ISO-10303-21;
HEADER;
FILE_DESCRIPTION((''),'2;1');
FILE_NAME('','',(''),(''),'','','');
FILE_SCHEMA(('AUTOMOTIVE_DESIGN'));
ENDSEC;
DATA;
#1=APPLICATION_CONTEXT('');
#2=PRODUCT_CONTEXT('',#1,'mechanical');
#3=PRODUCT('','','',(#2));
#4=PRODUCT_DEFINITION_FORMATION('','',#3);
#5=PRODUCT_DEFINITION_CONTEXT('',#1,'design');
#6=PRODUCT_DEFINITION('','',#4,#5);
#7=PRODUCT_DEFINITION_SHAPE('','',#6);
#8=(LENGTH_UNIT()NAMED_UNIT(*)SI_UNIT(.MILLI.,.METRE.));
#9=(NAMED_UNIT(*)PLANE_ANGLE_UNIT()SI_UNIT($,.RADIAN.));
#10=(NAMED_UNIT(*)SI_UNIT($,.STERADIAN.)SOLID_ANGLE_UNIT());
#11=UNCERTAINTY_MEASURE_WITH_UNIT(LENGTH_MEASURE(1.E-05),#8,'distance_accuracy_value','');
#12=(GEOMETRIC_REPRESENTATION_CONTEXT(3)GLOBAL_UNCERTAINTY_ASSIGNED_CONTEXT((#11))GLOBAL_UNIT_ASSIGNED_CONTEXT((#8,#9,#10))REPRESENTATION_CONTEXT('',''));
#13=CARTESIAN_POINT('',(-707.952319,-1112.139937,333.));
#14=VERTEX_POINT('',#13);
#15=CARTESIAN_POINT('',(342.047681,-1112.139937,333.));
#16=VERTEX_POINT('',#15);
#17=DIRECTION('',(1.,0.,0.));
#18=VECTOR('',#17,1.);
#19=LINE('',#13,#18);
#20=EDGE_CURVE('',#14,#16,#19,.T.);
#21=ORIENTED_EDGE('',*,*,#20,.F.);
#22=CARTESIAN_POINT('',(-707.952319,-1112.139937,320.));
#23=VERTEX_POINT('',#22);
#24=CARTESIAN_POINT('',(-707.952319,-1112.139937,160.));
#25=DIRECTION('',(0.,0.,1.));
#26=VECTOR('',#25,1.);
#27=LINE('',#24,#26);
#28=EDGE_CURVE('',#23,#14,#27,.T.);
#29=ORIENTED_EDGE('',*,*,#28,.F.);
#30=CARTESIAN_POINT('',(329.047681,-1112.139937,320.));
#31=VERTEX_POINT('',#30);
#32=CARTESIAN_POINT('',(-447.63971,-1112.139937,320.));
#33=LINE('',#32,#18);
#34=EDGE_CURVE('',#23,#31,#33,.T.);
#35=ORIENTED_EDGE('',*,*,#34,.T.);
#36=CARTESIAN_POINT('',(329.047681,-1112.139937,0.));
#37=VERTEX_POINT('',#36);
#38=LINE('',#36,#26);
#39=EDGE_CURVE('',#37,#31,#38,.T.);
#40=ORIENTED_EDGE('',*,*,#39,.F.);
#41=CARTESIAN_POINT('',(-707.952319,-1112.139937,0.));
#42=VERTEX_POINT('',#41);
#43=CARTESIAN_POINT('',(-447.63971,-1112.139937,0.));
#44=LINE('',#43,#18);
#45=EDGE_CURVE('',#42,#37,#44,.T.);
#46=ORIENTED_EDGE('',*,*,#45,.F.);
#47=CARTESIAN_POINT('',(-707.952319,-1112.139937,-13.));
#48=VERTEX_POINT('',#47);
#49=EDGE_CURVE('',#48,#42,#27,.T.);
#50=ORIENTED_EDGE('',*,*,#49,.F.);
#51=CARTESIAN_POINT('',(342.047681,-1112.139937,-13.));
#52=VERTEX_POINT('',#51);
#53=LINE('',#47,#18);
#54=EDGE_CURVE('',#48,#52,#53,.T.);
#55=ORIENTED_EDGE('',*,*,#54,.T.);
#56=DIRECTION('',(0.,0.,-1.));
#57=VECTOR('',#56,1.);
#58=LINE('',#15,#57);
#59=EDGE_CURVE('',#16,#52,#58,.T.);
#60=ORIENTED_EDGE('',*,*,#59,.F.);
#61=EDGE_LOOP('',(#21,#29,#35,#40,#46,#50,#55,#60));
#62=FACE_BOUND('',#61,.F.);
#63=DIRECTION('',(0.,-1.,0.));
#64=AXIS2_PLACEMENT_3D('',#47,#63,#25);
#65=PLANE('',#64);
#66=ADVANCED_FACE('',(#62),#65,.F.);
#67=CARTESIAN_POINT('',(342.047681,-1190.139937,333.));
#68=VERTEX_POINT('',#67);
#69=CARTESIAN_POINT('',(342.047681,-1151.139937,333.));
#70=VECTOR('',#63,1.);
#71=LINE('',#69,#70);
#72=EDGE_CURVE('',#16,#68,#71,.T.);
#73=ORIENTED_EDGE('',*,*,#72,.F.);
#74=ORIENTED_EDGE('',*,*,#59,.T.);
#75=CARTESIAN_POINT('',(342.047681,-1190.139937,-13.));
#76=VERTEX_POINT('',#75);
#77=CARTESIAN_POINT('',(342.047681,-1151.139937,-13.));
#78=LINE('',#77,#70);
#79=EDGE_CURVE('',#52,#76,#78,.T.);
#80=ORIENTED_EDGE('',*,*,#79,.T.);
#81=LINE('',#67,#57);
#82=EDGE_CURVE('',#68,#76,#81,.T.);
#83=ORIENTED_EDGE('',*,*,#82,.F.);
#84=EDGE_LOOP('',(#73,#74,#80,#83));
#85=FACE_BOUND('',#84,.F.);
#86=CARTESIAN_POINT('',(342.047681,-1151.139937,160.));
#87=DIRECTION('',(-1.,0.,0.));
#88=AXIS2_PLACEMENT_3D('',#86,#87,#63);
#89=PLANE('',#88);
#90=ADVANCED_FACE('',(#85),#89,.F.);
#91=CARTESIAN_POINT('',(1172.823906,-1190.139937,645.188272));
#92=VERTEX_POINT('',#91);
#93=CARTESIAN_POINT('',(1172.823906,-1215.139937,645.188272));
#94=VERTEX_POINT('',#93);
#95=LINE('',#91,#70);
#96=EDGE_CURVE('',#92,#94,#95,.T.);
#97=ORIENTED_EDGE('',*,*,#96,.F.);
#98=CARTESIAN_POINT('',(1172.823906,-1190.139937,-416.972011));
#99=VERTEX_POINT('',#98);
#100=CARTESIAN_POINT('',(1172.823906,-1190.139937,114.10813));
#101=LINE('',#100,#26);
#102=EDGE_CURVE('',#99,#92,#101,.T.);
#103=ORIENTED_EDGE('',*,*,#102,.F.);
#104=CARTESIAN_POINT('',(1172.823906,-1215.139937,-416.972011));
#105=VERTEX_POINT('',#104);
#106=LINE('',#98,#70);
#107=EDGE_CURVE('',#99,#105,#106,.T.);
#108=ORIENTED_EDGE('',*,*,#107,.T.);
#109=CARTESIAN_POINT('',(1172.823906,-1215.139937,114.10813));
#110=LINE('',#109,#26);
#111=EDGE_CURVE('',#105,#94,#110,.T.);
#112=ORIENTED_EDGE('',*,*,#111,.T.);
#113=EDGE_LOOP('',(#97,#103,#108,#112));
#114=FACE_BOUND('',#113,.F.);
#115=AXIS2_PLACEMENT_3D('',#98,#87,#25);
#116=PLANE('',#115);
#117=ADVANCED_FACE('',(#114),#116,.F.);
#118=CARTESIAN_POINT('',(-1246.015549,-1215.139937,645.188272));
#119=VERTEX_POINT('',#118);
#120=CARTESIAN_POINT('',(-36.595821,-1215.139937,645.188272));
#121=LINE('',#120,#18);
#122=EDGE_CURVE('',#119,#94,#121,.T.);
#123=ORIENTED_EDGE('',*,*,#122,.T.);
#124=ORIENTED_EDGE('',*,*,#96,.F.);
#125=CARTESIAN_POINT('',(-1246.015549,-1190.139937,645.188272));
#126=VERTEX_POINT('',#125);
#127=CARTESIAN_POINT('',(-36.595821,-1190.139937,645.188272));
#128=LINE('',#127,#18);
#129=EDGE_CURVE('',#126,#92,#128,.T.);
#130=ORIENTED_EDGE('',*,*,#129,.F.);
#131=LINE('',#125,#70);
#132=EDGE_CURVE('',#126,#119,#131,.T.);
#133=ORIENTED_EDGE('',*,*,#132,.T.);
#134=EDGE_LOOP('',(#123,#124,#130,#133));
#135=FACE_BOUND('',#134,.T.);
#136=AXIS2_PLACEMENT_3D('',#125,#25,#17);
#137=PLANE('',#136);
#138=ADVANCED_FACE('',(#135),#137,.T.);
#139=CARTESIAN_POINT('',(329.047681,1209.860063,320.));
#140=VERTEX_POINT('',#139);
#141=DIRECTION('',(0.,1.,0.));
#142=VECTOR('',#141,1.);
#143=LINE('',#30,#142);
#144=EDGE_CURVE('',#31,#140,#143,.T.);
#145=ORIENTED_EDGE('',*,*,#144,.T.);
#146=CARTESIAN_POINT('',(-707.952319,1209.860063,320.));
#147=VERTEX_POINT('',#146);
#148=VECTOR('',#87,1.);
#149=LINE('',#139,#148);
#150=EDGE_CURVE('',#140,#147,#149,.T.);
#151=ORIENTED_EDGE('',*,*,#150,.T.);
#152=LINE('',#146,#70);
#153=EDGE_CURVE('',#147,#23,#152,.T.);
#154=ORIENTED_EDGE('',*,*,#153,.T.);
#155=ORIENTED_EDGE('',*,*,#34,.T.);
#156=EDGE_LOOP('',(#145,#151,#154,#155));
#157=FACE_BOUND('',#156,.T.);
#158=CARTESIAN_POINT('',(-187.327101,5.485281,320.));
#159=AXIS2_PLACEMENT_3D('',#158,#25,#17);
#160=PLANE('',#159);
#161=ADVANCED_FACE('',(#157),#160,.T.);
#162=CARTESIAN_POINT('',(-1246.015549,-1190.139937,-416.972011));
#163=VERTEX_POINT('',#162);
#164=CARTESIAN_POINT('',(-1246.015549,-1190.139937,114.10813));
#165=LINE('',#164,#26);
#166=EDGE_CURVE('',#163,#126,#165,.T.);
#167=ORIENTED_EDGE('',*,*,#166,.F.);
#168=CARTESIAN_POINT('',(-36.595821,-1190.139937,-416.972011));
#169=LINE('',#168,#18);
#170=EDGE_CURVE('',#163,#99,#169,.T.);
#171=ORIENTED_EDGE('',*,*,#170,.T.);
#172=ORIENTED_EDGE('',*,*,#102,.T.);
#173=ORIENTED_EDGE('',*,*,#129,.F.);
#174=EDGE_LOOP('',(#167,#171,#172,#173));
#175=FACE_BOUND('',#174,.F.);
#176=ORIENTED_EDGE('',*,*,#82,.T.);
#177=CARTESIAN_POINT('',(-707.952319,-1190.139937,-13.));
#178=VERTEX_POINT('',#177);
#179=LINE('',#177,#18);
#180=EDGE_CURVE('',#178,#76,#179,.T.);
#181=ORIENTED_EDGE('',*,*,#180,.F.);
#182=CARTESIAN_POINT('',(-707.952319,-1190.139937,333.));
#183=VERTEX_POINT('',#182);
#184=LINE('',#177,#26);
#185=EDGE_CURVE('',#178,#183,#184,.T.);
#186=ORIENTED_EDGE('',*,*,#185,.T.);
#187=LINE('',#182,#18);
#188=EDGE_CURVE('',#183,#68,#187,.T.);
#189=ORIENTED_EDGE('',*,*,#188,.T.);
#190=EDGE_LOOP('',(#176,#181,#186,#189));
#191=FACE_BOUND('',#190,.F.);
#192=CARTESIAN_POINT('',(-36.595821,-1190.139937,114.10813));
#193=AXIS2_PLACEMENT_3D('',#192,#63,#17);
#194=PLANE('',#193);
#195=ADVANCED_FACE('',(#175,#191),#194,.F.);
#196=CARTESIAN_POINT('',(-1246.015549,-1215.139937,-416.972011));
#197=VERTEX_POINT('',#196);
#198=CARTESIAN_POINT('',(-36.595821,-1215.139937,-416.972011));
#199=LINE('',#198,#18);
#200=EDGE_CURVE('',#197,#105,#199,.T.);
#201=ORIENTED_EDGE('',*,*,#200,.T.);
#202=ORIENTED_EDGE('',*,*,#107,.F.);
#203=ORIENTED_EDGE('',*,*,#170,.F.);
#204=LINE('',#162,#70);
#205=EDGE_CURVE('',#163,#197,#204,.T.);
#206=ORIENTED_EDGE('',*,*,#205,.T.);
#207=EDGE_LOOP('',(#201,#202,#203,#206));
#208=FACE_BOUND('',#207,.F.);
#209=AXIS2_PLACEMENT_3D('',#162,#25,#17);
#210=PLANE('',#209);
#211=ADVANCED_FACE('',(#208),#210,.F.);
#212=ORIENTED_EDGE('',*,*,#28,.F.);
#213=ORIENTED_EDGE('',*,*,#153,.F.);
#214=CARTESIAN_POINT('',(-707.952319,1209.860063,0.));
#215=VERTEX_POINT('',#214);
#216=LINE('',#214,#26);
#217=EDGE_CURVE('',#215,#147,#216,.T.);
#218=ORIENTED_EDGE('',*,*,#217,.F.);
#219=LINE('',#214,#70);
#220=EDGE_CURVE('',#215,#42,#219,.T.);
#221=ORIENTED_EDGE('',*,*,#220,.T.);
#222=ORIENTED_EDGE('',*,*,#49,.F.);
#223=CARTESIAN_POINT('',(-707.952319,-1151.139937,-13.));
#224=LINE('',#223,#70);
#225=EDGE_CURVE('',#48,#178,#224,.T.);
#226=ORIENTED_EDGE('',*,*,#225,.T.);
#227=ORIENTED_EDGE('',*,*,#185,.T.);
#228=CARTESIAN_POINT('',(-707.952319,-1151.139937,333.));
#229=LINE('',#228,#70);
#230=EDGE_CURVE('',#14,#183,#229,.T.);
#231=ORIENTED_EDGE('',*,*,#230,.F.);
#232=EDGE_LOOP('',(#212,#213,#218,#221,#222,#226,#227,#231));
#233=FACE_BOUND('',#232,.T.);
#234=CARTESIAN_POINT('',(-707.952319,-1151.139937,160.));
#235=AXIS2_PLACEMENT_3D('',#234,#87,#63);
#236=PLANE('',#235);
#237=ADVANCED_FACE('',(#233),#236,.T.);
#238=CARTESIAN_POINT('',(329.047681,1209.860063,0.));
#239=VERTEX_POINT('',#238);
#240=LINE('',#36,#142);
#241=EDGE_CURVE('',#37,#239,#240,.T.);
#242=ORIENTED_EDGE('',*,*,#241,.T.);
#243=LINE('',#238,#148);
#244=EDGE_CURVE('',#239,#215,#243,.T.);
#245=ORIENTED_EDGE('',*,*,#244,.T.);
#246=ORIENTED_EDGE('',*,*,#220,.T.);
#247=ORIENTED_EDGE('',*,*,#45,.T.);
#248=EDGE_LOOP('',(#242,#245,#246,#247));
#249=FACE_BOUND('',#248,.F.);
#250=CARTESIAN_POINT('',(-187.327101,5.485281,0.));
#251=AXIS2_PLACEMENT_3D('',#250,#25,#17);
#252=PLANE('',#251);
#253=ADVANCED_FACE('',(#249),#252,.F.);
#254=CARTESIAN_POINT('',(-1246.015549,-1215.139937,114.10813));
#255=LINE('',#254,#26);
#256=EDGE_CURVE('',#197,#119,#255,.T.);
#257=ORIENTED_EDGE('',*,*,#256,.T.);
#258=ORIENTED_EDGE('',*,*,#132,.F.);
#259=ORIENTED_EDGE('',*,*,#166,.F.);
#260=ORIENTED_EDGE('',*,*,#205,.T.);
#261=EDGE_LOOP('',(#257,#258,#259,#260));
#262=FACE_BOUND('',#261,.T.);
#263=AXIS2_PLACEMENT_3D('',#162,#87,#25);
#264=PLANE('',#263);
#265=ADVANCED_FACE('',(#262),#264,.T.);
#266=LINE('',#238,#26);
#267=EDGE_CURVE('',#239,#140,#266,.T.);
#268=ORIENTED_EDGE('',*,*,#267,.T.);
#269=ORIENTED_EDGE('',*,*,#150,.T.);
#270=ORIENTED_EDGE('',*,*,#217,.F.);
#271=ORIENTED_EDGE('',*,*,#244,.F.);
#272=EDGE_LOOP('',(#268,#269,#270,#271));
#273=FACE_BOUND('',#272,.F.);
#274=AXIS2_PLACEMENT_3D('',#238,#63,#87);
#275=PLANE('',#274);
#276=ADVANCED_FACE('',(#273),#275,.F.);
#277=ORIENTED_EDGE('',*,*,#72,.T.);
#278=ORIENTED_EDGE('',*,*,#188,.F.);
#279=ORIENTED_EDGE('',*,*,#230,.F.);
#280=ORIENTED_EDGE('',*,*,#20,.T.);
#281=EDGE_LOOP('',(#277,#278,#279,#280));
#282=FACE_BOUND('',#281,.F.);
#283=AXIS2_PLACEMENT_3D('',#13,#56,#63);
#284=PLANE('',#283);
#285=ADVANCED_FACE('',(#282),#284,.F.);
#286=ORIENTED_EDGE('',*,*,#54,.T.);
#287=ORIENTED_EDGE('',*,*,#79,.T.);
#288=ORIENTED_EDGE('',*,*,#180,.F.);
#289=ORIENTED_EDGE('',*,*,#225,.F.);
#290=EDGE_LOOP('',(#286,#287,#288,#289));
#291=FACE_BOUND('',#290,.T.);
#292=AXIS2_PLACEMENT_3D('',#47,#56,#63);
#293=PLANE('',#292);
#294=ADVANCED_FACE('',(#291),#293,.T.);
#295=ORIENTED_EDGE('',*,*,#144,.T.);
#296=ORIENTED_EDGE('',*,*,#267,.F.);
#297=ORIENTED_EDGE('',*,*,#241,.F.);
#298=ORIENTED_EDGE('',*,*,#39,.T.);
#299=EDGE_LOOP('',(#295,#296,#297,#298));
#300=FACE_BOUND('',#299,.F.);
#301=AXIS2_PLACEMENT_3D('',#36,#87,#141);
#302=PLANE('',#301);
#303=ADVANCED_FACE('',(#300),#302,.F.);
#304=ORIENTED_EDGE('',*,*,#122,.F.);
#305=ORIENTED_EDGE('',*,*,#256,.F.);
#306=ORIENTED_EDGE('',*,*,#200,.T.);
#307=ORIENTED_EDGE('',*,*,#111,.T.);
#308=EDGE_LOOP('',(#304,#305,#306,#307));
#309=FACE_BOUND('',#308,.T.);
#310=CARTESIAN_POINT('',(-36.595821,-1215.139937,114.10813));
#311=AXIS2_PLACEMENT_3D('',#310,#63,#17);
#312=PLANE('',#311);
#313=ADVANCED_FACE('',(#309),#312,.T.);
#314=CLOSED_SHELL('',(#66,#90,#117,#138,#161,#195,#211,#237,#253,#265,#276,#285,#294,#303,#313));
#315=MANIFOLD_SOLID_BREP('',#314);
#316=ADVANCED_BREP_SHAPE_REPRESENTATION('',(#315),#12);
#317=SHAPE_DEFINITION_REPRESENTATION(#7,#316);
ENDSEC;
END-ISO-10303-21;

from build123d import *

# Parameters (mm, degrees)
F1_DEPTH = 320
F2_W     = 78
F2_H     = 346
F3_DEPTH = 1050
F4_W     = 2418.8394546509
F4_H     = 1062.1602833271
F4_W_2   = 1050
F4_H_2   = 346
F5_DEPTH = 25


with BuildPart() as f1:
    # F0 (on Top) → F1 (new body)
    with BuildSketch(Plane.XY):
        Polygon((329.0476813504, 1209.8600632322), (-707.9523186496, 1209.8600632322), (-707.9523186496, -1190.1399367678), (342.0476813504, -1190.1399367678), (342.0476813504, -1112.1399367678), (329.0476813504, -1112.1399367678), align=None)
    extrude(amount=F1_DEPTH)

    # F2 (on face) → F3 (join, through all)
    with BuildSketch(Plane(origin=(-707.9523186496, 0, 0), x_dir=(0, -1, 0), z_dir=(-1, 0, 0))):
        with Locations((1151.1399367678, 160)):
            Rectangle(F2_W, F2_H)
    extrude(amount=-F3_DEPTH)

    # F4 (on face) → F5 (join)
    with BuildSketch(Plane.XZ.offset(1190.1399367678)):
        with Locations((-36.5958213806, 114.1081303358)):
            Rectangle(F4_W, F4_H)
        with Locations((-182.9523186496, 160)):
            Rectangle(F4_W_2, F4_H_2, mode=Mode.SUBTRACT)
        with Locations((-182.9523186496, 160)):
            Rectangle(F4_W_2, F4_H_2)
    extrude(amount=F5_DEPTH)


solid = f1.part
